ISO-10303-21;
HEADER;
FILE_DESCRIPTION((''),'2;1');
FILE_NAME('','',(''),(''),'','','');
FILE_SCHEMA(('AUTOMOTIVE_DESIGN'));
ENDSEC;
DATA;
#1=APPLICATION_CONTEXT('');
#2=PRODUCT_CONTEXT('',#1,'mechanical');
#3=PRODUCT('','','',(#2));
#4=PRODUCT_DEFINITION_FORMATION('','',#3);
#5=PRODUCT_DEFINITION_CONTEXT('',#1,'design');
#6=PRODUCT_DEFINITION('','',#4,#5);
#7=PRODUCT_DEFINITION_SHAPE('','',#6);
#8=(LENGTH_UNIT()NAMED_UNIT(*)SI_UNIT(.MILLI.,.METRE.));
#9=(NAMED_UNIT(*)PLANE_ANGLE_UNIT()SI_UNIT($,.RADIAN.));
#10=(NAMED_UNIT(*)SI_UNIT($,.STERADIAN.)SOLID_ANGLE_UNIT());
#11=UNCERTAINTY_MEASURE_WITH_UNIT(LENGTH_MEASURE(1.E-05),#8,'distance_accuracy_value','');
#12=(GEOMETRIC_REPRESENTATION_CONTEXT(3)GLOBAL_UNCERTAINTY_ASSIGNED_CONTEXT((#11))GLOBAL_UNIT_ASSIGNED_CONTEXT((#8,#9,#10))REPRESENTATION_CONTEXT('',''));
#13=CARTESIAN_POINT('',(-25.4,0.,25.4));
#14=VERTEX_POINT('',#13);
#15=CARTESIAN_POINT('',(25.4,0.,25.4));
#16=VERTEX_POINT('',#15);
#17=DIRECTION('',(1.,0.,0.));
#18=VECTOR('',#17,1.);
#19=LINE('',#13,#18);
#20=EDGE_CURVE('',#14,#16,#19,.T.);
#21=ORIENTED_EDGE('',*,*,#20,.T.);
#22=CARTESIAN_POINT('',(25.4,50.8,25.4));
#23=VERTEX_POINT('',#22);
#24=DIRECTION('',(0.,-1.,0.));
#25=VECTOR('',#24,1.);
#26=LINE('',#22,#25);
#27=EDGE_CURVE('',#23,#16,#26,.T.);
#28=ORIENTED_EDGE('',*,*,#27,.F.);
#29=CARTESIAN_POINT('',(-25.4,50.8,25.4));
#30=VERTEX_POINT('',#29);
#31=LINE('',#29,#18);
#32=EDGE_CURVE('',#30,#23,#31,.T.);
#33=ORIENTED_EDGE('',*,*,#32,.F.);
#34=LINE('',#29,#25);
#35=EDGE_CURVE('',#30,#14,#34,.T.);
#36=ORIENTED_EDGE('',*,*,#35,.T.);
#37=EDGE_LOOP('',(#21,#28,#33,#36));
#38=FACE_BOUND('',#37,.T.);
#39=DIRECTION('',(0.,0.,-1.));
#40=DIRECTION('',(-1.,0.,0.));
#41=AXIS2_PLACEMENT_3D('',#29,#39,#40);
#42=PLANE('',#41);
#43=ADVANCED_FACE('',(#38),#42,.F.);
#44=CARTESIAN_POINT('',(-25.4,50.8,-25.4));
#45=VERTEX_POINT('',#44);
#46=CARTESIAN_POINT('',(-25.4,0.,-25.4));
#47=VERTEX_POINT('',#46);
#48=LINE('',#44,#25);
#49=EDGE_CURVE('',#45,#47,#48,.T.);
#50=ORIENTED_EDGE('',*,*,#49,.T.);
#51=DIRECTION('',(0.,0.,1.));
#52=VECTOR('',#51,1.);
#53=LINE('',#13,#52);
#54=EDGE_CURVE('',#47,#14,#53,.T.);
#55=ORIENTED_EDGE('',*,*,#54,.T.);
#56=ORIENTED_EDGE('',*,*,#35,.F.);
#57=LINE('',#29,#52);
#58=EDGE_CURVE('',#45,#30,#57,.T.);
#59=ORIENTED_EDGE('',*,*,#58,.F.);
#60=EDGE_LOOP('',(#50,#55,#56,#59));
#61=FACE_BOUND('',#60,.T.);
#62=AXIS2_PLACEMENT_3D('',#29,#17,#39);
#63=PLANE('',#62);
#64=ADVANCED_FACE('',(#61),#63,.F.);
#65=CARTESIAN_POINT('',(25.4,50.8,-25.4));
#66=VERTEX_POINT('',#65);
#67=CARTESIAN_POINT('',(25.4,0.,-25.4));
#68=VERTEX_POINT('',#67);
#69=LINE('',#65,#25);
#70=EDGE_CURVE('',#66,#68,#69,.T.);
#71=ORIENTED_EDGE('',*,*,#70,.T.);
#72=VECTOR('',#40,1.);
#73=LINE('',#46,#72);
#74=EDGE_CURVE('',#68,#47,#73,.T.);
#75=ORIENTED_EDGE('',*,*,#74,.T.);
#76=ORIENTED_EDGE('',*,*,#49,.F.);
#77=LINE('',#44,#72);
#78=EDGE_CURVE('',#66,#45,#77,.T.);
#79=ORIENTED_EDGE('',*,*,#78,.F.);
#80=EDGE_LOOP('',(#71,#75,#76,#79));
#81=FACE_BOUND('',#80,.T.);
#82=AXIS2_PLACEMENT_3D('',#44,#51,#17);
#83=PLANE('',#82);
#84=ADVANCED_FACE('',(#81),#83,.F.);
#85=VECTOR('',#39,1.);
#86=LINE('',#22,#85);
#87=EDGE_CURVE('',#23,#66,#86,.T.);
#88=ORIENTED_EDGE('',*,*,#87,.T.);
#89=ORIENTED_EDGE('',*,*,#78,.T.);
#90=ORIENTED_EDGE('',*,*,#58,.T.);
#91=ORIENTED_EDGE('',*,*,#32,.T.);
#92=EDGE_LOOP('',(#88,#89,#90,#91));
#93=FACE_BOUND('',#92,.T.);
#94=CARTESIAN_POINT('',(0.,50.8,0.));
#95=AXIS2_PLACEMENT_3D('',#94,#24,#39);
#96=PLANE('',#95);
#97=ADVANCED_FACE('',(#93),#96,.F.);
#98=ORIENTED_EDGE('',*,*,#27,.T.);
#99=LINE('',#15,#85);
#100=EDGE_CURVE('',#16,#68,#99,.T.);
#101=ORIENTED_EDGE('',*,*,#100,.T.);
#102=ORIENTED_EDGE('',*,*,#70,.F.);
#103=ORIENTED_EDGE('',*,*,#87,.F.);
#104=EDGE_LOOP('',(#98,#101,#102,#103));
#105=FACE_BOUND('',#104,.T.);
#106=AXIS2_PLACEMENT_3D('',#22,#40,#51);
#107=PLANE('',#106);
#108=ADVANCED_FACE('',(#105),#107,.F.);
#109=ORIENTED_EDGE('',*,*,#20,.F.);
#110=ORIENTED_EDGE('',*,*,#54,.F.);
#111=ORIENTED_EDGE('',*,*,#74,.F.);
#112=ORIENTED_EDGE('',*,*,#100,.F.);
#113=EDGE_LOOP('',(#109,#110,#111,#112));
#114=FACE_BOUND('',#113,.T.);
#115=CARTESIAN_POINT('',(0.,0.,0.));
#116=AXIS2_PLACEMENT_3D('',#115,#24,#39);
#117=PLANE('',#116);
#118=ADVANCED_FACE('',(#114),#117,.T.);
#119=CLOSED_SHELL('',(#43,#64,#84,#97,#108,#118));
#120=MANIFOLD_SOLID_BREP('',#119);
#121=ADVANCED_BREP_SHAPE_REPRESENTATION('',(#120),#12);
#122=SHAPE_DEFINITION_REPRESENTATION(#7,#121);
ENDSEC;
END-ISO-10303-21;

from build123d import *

# Parameters (mm, degrees)
SKETCH1_W           = 50.8
SKETCH1_H           = 50.8
BOSS_EXTRUDE1_DEPTH = 50.8


with BuildPart() as part:
    # Sketch1 → Boss-Extrude1 (new body)
    with BuildSketch(Plane(origin=(0, 0, 0), x_dir=(1, 0, 0), z_dir=(0, 1, 0))):
        Rectangle(SKETCH1_W, SKETCH1_H)
    extrude(amount=BOSS_EXTRUDE1_DEPTH)


solid = part.part
